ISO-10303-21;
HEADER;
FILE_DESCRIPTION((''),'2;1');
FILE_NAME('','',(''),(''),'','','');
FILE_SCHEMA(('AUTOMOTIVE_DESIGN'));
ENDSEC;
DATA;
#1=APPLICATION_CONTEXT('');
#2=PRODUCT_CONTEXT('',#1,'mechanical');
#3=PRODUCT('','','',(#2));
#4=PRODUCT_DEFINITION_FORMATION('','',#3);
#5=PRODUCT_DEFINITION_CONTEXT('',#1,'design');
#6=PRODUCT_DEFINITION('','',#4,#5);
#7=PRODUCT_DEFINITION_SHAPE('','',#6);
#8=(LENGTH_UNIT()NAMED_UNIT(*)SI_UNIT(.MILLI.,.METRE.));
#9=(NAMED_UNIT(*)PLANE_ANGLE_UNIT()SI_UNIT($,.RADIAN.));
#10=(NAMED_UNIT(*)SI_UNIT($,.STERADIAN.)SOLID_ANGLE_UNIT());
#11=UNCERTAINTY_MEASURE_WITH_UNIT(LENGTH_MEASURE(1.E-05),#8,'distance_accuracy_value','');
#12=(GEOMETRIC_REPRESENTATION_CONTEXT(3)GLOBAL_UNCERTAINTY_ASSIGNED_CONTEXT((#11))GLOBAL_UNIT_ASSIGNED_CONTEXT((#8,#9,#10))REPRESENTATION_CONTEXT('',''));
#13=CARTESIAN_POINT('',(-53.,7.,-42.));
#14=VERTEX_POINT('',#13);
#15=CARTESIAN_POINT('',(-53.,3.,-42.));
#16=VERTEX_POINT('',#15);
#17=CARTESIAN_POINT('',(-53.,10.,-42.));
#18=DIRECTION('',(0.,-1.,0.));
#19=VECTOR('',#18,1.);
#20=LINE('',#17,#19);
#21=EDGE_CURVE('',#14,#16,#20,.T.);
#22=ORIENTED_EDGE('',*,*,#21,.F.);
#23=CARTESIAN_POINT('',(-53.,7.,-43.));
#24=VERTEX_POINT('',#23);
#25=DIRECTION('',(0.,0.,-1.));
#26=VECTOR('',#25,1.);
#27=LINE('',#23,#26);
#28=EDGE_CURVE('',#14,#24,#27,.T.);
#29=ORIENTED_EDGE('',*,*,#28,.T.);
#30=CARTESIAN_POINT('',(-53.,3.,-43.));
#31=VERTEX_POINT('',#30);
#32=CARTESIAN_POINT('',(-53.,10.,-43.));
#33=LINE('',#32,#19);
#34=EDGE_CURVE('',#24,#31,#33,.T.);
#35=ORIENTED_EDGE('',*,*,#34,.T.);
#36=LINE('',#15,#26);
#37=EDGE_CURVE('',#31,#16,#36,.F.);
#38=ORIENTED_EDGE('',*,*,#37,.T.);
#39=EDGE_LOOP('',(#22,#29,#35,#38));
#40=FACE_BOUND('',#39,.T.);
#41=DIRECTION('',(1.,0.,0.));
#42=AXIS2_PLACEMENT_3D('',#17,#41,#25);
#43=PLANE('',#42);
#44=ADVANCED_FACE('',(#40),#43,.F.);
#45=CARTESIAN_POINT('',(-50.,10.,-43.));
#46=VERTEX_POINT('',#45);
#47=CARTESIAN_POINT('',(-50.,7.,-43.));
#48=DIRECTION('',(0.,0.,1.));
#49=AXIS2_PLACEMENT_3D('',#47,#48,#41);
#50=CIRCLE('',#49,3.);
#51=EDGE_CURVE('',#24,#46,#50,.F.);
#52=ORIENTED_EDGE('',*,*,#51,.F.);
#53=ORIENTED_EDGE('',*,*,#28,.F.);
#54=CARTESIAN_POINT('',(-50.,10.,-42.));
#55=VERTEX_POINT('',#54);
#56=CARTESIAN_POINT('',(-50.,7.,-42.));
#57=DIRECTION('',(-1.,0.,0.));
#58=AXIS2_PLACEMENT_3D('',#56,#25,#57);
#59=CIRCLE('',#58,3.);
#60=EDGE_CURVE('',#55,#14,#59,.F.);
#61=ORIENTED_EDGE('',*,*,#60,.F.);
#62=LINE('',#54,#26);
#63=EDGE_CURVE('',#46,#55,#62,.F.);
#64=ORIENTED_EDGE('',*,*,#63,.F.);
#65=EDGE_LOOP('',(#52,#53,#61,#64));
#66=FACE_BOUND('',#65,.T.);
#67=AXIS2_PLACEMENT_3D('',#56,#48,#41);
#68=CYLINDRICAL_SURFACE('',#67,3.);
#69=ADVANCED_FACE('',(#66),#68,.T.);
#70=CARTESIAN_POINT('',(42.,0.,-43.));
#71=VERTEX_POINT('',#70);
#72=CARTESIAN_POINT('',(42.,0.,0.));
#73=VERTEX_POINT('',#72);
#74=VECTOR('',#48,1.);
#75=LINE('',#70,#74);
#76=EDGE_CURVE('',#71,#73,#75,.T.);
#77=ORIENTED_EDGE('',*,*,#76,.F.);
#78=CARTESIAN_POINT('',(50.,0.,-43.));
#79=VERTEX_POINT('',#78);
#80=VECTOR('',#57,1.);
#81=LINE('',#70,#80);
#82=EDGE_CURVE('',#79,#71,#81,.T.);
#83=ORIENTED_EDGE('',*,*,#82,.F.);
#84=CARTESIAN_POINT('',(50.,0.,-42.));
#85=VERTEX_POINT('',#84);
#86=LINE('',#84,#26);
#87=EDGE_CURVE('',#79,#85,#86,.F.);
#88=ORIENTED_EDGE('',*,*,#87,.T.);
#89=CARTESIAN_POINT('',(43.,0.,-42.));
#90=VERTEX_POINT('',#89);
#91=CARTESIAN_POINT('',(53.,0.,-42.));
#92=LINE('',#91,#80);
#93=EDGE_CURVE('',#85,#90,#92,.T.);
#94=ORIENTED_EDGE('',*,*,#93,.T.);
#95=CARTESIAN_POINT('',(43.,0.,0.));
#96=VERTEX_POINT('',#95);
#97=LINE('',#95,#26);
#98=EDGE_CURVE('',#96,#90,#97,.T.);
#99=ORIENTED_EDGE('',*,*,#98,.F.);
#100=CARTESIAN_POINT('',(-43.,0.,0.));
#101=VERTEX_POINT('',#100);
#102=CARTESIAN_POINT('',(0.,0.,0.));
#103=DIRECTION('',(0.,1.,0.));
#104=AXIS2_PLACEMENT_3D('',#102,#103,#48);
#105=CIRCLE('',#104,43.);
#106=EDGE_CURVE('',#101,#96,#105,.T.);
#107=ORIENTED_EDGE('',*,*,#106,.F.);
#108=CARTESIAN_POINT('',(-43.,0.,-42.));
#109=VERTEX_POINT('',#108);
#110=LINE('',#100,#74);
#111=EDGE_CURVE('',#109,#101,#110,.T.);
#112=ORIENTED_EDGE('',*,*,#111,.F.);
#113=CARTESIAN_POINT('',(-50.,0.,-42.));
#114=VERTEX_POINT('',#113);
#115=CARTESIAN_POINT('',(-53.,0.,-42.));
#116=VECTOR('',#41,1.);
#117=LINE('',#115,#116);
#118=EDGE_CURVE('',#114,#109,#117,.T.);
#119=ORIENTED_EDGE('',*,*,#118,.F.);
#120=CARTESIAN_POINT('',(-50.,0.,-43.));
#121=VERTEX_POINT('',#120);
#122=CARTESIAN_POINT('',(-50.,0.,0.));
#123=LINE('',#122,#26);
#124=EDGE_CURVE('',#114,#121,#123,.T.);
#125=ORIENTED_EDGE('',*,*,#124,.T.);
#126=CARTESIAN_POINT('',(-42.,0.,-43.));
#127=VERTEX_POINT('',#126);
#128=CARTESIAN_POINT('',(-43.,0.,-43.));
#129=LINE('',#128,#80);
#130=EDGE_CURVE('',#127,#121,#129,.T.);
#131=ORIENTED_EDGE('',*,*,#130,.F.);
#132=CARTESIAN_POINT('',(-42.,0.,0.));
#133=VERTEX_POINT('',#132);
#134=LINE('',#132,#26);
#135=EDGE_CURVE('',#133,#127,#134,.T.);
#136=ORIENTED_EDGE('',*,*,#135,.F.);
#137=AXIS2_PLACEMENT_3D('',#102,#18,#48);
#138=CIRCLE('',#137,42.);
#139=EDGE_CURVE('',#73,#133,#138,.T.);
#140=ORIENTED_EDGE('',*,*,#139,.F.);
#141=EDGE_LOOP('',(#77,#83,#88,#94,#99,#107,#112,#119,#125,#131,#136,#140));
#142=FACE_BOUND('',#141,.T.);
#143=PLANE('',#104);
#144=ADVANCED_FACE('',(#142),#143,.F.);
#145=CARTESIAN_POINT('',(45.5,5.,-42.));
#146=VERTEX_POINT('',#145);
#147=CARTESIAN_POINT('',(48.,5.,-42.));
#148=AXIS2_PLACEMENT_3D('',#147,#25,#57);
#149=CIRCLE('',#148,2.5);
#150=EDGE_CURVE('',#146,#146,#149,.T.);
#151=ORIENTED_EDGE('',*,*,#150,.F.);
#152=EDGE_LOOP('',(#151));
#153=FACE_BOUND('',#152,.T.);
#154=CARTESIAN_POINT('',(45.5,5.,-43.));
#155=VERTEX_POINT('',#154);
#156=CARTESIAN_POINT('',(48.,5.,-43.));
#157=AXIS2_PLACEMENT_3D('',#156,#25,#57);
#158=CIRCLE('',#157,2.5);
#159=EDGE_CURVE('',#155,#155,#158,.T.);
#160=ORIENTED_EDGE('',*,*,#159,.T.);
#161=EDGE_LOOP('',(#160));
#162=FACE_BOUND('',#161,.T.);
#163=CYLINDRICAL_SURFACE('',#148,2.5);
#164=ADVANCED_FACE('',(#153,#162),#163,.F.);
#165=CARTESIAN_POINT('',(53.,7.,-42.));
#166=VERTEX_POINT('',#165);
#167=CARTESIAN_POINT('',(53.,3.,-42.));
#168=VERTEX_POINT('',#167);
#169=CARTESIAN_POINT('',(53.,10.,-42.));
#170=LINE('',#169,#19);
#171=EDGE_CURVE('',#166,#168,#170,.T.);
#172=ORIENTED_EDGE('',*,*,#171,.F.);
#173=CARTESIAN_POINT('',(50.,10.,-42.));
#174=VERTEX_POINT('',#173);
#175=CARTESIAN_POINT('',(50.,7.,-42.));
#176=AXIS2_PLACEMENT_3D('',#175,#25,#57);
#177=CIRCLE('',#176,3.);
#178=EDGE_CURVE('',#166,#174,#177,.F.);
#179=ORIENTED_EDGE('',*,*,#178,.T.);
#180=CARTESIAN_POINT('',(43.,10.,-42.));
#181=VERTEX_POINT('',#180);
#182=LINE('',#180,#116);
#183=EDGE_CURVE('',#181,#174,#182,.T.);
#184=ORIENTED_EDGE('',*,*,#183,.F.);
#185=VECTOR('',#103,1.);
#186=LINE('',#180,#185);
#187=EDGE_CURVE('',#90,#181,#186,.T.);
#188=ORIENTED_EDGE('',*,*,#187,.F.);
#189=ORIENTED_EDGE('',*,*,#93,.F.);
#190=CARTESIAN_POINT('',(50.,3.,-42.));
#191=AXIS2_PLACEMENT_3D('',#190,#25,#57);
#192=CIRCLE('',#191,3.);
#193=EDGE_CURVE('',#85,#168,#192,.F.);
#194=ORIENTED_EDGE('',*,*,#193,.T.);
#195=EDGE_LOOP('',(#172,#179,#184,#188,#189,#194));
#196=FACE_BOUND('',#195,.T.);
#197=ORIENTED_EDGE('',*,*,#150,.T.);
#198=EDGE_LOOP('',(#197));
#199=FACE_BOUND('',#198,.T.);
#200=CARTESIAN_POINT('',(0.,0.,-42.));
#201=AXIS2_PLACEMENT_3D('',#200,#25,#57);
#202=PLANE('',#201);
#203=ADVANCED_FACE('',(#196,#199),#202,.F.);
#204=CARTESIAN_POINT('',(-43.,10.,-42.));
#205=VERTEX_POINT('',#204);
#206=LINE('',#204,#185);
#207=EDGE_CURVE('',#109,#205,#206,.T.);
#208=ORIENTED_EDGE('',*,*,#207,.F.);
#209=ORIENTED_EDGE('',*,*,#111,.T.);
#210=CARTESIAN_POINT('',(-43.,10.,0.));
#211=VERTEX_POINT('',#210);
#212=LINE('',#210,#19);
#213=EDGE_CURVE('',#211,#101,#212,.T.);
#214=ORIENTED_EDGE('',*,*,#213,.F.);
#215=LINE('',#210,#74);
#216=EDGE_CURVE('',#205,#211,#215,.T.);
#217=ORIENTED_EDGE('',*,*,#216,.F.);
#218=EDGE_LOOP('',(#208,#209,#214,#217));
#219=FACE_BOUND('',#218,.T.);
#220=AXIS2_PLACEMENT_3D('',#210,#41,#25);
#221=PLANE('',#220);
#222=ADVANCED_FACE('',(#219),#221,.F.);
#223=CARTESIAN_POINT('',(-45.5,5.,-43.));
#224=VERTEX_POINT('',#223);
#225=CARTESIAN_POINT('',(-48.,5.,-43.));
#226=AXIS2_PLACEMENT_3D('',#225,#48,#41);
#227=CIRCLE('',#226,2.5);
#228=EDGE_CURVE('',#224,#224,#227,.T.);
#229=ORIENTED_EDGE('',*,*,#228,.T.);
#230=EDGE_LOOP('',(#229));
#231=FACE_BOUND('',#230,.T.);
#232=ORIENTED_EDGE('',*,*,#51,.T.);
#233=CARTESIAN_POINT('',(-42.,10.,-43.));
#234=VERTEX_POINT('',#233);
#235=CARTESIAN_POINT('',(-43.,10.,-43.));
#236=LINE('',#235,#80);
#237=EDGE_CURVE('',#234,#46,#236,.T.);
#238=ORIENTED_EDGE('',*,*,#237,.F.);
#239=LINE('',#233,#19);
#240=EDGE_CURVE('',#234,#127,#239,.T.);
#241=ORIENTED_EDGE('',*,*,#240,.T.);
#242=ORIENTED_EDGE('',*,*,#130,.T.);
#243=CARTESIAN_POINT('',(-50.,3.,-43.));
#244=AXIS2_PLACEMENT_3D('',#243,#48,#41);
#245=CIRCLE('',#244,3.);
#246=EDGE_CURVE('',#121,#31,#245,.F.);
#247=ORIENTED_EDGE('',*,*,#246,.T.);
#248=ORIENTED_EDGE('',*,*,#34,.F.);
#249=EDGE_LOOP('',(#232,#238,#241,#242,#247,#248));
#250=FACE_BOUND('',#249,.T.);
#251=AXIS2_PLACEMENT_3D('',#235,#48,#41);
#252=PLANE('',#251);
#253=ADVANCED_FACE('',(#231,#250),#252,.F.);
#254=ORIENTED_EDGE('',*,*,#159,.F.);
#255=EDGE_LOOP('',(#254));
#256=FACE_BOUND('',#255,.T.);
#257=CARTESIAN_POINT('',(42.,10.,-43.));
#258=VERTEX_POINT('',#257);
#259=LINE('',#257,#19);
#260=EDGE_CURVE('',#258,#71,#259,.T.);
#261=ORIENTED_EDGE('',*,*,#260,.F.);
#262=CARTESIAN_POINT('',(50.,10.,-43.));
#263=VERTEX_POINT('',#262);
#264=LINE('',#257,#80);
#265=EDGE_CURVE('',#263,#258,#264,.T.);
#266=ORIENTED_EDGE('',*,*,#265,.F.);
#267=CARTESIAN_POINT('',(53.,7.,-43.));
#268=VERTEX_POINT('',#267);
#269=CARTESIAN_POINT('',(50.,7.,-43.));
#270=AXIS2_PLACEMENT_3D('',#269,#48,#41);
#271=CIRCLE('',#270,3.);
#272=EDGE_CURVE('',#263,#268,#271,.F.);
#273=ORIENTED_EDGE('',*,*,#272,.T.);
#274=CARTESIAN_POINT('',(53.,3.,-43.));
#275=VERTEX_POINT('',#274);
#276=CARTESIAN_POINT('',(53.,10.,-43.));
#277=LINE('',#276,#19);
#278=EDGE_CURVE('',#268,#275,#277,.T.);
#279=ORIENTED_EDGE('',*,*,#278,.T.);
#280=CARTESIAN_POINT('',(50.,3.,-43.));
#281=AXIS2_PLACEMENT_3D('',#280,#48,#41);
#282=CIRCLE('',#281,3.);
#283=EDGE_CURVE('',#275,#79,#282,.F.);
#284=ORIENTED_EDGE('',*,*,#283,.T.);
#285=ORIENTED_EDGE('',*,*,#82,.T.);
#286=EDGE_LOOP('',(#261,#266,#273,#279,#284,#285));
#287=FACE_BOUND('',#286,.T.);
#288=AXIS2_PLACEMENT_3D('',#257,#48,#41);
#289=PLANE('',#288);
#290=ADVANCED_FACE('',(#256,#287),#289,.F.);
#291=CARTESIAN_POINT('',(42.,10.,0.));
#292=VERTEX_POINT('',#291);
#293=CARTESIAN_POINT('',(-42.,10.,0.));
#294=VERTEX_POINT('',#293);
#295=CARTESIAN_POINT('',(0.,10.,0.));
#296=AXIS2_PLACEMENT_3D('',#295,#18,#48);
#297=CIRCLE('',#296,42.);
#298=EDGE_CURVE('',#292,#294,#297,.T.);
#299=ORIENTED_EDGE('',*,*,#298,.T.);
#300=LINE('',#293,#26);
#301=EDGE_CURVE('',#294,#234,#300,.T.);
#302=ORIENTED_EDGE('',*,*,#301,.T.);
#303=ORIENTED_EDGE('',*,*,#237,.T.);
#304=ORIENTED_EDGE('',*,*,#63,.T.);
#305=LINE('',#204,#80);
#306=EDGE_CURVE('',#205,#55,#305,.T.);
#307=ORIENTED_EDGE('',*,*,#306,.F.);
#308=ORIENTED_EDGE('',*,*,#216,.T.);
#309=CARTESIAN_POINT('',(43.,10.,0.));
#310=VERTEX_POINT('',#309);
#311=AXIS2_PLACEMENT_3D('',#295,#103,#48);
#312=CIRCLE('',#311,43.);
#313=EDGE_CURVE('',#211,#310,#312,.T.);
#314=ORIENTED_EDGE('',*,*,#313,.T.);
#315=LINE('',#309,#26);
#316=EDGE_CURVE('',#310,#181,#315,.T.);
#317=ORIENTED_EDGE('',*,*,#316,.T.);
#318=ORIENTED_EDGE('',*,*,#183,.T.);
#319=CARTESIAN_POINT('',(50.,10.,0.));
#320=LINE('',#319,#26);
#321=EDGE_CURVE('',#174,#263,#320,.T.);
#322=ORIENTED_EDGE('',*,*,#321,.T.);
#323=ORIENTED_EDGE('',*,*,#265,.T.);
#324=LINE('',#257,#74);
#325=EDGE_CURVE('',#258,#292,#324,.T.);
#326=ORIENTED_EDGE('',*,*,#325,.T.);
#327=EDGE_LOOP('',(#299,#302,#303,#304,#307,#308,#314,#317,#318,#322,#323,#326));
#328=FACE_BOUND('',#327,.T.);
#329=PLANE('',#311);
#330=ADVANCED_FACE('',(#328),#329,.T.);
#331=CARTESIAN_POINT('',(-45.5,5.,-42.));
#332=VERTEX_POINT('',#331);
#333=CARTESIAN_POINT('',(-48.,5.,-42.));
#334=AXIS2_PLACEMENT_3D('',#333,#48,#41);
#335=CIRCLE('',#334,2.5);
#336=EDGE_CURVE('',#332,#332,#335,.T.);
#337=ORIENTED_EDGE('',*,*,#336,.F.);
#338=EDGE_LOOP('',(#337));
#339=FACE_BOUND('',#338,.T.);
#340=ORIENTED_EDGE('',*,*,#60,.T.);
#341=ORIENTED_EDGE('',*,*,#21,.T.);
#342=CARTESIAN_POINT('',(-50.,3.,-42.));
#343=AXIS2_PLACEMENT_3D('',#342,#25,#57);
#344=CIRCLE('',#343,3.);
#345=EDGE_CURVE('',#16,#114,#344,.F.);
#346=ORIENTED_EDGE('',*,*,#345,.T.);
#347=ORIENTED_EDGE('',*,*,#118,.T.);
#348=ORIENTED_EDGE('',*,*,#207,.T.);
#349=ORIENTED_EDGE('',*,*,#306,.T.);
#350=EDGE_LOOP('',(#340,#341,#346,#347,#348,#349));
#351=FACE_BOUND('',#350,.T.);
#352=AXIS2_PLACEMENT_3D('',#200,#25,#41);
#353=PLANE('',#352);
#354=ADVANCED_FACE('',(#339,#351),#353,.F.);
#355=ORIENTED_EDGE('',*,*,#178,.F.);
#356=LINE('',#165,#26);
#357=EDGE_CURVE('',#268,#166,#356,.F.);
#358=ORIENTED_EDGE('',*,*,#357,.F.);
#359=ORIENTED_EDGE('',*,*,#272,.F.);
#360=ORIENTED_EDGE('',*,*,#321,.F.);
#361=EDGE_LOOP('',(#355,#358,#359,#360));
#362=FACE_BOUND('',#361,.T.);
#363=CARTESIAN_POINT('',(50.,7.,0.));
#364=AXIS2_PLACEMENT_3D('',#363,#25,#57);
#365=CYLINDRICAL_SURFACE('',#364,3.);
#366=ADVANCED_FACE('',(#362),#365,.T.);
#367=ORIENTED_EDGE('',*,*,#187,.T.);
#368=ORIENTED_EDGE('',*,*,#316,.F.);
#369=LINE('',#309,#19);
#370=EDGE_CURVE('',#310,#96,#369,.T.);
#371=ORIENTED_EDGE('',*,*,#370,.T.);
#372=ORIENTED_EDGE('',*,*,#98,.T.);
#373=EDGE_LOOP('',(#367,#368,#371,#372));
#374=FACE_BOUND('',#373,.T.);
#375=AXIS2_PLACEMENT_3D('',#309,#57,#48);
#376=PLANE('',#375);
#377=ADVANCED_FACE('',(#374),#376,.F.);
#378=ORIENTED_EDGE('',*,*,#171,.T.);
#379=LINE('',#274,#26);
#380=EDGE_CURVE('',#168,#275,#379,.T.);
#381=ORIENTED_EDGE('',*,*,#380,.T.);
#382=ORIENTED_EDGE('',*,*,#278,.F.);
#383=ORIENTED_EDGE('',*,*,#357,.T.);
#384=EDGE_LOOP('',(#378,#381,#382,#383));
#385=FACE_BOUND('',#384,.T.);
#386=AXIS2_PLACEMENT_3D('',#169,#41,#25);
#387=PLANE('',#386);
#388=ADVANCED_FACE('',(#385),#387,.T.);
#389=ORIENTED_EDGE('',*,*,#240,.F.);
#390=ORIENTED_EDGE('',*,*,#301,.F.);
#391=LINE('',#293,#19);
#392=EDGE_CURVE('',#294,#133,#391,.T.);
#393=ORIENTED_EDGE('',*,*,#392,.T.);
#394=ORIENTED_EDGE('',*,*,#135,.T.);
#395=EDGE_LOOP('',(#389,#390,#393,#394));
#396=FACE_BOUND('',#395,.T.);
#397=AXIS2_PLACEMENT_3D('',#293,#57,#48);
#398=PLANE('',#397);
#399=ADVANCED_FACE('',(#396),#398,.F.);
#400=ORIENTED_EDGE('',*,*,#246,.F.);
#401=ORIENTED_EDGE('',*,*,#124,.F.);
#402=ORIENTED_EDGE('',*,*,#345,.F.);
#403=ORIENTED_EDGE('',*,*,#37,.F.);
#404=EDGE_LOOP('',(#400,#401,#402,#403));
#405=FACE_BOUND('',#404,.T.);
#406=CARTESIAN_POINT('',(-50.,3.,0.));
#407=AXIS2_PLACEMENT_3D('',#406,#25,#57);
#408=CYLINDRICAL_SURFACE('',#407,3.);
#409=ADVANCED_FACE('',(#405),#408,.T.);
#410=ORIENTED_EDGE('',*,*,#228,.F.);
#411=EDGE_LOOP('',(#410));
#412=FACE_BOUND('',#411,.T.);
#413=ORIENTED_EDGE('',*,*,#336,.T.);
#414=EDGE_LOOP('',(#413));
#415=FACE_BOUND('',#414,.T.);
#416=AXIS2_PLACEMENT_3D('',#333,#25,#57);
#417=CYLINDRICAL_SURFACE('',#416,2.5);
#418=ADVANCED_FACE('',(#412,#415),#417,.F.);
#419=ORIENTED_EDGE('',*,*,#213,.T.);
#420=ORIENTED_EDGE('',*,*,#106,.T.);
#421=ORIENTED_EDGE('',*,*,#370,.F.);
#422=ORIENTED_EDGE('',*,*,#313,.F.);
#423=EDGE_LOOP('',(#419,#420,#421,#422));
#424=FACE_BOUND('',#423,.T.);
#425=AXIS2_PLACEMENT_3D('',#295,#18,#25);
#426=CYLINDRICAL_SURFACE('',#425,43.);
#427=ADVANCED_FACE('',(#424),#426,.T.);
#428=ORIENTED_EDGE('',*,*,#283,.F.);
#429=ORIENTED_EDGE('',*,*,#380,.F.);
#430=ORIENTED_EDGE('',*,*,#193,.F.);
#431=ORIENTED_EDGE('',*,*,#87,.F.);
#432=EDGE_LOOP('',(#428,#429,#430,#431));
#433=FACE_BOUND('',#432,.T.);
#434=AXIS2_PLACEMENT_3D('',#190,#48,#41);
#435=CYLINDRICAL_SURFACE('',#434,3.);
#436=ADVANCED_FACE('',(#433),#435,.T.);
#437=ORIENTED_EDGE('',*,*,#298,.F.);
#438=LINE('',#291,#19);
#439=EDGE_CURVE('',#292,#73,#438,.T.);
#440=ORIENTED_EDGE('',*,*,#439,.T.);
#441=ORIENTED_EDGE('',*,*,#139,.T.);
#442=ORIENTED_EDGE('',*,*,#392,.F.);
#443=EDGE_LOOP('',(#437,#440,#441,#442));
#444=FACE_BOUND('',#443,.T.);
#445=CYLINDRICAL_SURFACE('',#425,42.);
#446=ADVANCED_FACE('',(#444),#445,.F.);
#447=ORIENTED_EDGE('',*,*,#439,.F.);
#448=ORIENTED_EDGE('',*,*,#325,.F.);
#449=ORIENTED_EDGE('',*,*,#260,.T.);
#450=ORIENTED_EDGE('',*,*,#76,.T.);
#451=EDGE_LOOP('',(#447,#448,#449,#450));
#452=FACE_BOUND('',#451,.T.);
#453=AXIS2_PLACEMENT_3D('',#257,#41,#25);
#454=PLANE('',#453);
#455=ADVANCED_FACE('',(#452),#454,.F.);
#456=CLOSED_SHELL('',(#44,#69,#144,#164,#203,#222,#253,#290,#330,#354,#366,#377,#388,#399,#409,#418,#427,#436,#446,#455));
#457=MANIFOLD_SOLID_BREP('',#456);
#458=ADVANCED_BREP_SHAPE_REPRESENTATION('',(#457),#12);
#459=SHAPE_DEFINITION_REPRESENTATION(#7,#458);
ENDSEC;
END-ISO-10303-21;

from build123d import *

# Parameters (mm, degrees)
DODANIE_WYCI_GNI_CIE1_DEPTH = 10
SZKIC3_W                    = 10
SZKIC3_H                    = 10
DODANIE_WYCI_GNI_CIE2_DEPTH = 1
ZAOKR_GLENIE1_R             = 3
ZAOKR_GLENIE2_R             = 3
SZKIC5_R                    = 2.5
WYTNIJ_WYCI_GNI_CIE1_DEPTH  = 1
ZAOKR_GLENIE1_OF_LUSTRO1_R  = 3
ZAOKR_GLENIE2_OF_LUSTRO1_R  = 3


with BuildPart() as part:
    # Szkic2 → Dodanie-wyciągnięcie1 (new body)
    with BuildSketch(Plane(origin=(0, 0, 0), x_dir=(1, 0, 0), z_dir=(0, 1, 0))):
        with BuildLine():
            Line((-43, 43), (-42, 43))
            Line((-42, 43), (-42, 0))
            ThreePointArc((-42, 0), (0, -42), (42, 0))
            Line((42, 0), (42, 43))
            Line((42, 43), (43, 43))
            Line((43, 43), (43, 0))
            ThreePointArc((43, 0), (0, -43), (-43, 0))
            Line((-43, 0), (-43, 43))
        make_face()
    extrude(amount=DODANIE_WYCI_GNI_CIE1_DEPTH)

    # Szkic3 → Dodanie-wyciągnięcie2 (add)
    with BuildSketch(Plane(origin=(0, 0, -43), x_dir=(-1, 0, 0), z_dir=(0, 0, -1))):
        with Locations((-48, 5)):
            Rectangle(SZKIC3_W, SZKIC3_H)
    dodanie_wyci_gni_cie2 = extrude(amount=-DODANIE_WYCI_GNI_CIE2_DEPTH)

    # Zaokrąglenie1
    zaokr_glenie1_edges = [part.edges().sort_by_distance(p)[0] for p in [
        (53, 10, -42.5),
    ]]
    fillet(zaokr_glenie1_edges, radius=ZAOKR_GLENIE1_R)

    # Zaokrąglenie2
    zaokr_glenie2_edges = [part.edges().sort_by_distance(p)[0] for p in [
        (53, 0, -42.5),
    ]]
    fillet(zaokr_glenie2_edges, radius=ZAOKR_GLENIE2_R)

    # Szkic5 → Wytnij-wyciągnięcie1 (cut)
    with BuildSketch(Plane(origin=(0, 0, -43), x_dir=(-1, 0, 0), z_dir=(0, 0, -1))):
        with Locations((-48, 5)):
            Circle(SZKIC5_R)
    wytnij_wyci_gni_cie1 = extrude(amount=-WYTNIJ_WYCI_GNI_CIE1_DEPTH, mode=Mode.SUBTRACT)

    # Lustro1: Dodanie-wyciągnięcie2, Wytnij-wyciągnięcie1 across plane
    add(dodanie_wyci_gni_cie2.mirror(Plane(origin=(0, 0, 0), x_dir=(0, 0, 1), z_dir=(1, 0, 0))))
    add(wytnij_wyci_gni_cie1.mirror(Plane(origin=(0, 0, 0), x_dir=(0, 0, 1), z_dir=(1, 0, 0))), mode=Mode.SUBTRACT)

    # Zaokrąglenie1 of Lustro1
    zaokr_glenie1_of_lustro1_edges = [part.edges().sort_by_distance(p)[0] for p in [
        (-53, 10, -42.5),
    ]]
    fillet(zaokr_glenie1_of_lustro1_edges, radius=ZAOKR_GLENIE1_OF_LUSTRO1_R)

    # Zaokrąglenie2 of Lustro1
    zaokr_glenie2_of_lustro1_edges = [part.edges().sort_by_distance(p)[0] for p in [
        (-53, 0, -42.5),
    ]]
    fillet(zaokr_glenie2_of_lustro1_edges, radius=ZAOKR_GLENIE2_OF_LUSTRO1_R)


solid = part.part
